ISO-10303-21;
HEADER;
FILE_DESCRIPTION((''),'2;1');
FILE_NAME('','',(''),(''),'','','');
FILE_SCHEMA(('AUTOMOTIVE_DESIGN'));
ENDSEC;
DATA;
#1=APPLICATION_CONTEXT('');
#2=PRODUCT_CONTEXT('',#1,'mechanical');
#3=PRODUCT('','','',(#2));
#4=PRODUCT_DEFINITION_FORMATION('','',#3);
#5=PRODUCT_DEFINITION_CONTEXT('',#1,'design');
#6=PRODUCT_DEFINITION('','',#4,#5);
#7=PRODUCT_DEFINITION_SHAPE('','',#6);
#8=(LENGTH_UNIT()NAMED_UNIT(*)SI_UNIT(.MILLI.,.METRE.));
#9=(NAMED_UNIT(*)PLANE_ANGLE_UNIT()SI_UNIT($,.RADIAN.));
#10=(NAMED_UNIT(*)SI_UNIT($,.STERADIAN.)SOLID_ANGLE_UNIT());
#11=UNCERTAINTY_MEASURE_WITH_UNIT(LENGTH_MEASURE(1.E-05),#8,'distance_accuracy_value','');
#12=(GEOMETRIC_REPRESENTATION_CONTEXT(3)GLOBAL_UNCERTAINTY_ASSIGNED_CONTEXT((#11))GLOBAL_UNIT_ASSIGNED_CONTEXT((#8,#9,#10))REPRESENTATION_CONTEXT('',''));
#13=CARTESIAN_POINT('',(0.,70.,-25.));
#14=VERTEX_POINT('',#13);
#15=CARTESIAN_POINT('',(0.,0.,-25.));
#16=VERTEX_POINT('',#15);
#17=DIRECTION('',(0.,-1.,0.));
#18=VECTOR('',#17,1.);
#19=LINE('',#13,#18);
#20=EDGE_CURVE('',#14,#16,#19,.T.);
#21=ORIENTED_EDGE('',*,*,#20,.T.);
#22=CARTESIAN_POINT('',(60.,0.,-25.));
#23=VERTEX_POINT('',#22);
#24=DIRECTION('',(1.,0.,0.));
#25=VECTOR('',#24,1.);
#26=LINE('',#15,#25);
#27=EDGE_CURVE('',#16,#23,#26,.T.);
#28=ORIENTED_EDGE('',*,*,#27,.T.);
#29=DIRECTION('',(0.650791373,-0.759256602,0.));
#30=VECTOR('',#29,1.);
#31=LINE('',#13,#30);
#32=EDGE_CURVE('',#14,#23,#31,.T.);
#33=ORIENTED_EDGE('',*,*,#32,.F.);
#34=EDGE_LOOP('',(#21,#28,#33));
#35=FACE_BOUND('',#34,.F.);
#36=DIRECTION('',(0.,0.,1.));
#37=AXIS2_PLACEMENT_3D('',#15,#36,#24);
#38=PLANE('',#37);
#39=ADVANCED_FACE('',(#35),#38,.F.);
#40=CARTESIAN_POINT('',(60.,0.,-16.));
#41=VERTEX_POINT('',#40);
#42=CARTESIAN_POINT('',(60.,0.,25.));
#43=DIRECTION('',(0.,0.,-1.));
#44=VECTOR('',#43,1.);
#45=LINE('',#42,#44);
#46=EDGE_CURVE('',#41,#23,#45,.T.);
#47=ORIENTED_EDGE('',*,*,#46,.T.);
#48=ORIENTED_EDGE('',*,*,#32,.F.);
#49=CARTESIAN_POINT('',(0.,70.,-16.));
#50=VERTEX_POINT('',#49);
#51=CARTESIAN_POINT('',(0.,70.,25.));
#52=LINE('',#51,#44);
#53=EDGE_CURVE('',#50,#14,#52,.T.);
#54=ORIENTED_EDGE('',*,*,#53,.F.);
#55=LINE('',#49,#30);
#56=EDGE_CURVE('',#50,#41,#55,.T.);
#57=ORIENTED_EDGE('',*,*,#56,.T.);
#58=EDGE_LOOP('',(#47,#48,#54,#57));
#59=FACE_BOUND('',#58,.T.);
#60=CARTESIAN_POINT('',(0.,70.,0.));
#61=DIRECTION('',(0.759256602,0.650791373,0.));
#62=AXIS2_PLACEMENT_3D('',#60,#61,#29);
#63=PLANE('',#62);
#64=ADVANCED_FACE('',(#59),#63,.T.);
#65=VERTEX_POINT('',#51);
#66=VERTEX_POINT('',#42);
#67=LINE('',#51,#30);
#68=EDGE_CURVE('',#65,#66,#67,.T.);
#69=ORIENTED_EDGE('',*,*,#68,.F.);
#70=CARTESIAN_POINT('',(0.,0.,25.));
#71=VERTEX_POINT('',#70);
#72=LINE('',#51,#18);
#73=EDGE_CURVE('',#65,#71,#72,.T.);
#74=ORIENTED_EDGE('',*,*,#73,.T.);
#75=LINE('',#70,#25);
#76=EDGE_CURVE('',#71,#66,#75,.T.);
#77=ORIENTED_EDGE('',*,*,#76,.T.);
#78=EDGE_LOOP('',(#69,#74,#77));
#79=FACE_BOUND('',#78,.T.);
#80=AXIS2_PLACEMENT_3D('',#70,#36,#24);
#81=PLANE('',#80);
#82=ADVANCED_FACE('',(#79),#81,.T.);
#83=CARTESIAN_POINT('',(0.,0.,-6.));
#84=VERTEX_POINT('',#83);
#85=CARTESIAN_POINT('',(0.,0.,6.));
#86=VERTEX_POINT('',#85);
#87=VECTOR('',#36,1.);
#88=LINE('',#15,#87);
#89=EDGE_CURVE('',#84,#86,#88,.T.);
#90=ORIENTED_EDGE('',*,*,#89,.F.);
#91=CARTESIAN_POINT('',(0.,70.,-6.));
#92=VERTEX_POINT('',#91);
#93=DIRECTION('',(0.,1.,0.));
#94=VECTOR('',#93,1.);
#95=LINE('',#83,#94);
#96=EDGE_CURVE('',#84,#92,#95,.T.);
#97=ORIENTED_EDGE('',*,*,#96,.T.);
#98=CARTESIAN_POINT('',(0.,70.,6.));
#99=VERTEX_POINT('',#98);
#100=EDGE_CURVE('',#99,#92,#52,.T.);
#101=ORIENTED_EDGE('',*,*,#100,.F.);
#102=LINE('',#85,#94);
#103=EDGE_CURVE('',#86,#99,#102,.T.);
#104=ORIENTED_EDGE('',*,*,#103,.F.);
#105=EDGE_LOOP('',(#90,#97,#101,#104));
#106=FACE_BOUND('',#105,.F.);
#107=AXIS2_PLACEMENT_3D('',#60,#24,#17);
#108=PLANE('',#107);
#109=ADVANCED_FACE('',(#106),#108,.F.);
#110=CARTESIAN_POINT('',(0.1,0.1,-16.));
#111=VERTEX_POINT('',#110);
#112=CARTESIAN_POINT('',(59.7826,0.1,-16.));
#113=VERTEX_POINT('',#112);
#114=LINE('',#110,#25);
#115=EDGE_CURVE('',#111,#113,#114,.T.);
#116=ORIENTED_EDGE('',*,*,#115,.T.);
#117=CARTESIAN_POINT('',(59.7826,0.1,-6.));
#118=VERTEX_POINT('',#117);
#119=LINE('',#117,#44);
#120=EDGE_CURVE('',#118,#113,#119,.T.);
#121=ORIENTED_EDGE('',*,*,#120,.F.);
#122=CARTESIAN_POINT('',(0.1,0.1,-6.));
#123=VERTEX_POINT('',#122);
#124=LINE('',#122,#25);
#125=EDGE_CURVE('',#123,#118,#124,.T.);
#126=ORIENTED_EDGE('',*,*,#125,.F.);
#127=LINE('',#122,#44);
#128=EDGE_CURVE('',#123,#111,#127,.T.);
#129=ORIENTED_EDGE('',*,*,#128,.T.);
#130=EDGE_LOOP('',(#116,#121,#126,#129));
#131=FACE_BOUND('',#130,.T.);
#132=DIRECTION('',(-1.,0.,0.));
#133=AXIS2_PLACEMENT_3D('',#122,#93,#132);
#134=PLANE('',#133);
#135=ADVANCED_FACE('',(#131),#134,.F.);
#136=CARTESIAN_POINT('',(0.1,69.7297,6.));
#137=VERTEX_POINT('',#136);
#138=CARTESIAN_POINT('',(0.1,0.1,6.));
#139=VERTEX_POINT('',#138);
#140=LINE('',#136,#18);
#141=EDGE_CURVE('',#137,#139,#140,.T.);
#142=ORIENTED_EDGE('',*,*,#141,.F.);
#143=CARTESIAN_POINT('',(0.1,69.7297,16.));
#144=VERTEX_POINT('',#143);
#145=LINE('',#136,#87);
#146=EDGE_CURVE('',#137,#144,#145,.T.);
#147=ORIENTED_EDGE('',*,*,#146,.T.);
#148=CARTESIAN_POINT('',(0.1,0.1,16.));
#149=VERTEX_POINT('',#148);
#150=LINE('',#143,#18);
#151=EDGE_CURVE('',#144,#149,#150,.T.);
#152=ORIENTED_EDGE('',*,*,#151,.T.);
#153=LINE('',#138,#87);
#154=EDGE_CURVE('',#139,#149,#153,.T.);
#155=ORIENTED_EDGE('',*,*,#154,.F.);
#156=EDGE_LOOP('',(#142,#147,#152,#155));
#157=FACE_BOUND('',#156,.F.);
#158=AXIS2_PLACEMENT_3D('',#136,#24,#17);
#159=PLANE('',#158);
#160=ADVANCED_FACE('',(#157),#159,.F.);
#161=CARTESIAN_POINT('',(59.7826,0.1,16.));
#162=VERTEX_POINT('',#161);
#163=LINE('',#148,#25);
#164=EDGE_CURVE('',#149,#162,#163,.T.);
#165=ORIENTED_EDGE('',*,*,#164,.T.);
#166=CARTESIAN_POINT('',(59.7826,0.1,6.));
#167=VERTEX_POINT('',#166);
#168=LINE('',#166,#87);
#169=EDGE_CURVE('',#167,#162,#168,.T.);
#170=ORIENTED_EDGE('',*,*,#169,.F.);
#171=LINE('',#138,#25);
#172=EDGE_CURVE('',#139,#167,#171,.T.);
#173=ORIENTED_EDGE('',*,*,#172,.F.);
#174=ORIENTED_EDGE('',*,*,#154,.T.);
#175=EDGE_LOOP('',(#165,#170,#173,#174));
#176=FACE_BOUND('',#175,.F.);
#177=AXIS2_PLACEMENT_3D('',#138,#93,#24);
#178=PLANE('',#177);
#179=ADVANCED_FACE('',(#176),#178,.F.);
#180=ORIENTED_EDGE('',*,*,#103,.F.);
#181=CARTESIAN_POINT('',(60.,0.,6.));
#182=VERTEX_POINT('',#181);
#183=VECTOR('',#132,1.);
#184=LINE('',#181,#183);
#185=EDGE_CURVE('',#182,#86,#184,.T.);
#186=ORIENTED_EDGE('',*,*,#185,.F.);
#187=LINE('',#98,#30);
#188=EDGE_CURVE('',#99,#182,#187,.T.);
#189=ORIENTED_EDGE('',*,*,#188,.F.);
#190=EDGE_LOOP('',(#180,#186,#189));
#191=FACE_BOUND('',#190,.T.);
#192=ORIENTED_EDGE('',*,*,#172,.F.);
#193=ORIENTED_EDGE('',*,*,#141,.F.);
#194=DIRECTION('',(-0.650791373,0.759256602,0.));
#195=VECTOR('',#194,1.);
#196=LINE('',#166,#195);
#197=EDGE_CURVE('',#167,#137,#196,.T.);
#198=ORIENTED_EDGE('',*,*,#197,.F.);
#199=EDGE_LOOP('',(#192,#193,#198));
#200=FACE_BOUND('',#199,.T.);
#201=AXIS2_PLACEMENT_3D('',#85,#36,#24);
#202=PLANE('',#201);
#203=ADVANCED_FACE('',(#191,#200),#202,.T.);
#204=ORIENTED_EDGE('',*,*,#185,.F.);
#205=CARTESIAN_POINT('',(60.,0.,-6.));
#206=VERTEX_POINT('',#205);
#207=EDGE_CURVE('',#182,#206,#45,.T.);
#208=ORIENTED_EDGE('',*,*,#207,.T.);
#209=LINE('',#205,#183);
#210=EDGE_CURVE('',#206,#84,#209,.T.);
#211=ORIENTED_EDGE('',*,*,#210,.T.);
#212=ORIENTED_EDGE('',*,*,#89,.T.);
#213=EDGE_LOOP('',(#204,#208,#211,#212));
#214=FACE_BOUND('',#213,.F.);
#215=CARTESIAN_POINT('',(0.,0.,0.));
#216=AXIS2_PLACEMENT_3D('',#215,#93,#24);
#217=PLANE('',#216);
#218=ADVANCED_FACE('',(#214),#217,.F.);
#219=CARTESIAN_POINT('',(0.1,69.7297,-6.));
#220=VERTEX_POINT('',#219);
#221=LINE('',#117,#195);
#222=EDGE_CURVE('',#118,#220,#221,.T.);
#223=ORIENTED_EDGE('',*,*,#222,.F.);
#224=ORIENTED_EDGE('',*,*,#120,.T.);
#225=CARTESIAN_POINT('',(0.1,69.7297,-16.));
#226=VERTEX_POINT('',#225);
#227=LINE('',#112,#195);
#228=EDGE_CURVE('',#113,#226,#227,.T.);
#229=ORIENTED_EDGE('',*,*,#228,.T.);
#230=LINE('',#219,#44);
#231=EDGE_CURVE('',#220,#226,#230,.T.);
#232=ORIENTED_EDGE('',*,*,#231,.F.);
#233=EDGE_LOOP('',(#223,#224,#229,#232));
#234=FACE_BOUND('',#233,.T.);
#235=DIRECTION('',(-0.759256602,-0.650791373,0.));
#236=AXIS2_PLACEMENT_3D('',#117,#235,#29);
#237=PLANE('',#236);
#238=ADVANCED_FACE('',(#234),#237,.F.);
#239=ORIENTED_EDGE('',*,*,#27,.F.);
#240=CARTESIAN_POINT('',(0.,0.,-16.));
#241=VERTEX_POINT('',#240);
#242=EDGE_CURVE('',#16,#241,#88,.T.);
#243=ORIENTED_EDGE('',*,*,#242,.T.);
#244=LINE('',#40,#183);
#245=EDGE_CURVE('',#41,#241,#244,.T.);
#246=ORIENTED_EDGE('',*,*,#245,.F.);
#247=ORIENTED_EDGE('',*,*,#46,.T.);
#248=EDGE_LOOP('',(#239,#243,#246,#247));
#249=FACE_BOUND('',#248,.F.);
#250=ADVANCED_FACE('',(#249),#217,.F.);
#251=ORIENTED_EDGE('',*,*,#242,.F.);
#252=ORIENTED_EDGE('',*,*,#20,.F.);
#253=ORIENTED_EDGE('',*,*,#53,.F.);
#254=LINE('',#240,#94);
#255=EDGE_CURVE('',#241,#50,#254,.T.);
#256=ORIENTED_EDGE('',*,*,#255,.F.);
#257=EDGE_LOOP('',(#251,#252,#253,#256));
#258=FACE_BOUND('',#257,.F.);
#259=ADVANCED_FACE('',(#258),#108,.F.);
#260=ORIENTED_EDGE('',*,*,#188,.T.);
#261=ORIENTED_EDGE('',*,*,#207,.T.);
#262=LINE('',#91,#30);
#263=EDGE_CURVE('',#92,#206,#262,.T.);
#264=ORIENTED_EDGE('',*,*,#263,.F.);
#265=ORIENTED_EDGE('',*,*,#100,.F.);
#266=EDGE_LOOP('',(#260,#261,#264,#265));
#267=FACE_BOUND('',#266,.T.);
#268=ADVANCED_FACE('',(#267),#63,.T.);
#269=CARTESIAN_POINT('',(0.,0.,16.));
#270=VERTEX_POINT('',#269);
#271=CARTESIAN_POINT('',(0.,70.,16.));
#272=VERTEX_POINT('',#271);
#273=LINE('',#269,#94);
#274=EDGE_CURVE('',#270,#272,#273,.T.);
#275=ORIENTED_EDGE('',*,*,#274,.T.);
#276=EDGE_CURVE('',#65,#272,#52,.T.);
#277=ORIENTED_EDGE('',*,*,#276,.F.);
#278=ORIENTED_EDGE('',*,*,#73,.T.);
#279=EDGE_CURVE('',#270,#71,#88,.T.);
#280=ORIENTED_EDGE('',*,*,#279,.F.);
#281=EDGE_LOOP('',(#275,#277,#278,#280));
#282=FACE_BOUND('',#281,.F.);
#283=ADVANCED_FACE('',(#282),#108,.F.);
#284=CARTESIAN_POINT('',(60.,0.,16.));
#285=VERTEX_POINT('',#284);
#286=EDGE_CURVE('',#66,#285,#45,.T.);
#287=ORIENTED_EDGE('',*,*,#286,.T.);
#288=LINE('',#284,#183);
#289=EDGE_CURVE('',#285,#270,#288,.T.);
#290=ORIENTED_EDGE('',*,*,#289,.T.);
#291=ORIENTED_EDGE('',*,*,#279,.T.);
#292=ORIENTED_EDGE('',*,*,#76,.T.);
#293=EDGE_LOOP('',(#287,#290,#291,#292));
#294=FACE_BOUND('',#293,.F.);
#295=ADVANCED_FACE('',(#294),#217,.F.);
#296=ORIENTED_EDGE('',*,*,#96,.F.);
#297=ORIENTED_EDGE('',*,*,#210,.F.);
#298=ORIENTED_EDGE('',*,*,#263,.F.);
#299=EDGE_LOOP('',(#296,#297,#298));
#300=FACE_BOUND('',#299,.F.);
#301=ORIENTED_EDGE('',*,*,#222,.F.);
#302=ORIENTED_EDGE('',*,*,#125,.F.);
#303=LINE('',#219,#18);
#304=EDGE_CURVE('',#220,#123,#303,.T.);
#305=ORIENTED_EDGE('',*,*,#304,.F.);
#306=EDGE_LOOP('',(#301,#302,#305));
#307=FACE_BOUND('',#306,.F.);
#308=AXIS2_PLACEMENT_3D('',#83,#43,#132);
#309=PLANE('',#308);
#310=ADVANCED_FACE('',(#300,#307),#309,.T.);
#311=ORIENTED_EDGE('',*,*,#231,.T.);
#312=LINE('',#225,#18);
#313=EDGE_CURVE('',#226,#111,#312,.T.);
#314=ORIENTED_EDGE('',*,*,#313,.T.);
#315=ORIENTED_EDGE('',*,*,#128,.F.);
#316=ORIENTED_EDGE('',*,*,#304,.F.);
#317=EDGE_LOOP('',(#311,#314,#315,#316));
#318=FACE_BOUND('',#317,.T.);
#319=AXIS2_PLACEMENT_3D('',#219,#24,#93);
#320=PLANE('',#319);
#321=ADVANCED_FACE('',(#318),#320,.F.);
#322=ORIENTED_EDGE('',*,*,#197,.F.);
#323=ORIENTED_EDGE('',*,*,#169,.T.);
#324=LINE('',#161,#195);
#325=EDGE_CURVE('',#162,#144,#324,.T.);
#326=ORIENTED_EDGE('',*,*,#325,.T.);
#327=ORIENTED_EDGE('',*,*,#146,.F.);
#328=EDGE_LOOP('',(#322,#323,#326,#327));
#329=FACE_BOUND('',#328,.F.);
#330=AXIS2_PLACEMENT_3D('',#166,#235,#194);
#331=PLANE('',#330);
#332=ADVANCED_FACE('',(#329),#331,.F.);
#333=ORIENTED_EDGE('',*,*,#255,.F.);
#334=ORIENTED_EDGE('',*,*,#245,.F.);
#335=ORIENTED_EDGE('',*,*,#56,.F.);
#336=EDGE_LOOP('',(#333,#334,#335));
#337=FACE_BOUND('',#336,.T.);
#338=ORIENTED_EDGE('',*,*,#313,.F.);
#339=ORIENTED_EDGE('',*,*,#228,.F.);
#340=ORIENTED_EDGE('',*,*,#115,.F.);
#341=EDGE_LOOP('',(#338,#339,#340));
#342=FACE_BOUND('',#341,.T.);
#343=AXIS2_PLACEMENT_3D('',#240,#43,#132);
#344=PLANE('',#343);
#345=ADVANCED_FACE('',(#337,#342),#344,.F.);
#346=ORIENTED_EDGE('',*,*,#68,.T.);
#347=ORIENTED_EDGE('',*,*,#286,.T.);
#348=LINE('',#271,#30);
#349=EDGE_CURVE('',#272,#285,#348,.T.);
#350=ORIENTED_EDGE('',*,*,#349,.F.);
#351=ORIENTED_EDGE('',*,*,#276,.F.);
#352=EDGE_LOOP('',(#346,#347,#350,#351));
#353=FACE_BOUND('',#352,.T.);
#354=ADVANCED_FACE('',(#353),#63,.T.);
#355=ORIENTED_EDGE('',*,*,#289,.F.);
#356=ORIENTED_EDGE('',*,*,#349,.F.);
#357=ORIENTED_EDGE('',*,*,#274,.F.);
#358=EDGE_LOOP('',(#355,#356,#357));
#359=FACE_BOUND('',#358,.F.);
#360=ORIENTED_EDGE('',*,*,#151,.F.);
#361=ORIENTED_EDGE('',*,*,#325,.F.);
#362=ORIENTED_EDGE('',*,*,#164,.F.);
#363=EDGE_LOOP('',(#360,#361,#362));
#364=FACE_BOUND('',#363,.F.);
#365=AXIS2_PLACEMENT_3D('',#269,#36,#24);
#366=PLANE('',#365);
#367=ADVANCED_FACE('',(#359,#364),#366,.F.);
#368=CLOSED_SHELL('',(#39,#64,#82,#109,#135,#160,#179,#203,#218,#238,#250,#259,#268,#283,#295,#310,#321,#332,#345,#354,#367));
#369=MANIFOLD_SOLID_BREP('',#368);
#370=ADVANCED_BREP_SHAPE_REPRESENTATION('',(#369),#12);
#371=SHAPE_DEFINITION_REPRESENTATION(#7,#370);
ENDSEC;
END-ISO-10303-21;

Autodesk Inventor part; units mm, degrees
ref_plane "YZ Plane" through (0, 0, 0) normal (1, 0, 0) x (0, 1, 0)
ref_plane "XZ Plane" through (0, 0, 0) normal (0, 1, 0) x (-1, 0, 0)
sketch "草圖1" plane through (0, 0, 0) normal (0, 0, 1) x (1, 0, 0)
  line L0 (-12, 0) -> (72, 0) construction
  line L1 (0, -14) -> (0, 84) construction
  line L2 (0, 0) -> (60, 0)
  line L3 (0, 70) -> (0, 0)
  line L4 (0, 70) -> (60, 0)
  dimension "d0" = 60
  dimension "d1" = 70
extrude "擠出1" add sketch "草圖1" along normal mid plane 50
ref_plane "工作平面1" through (0, 0, 2) normal (0, 0, 1) x (1, 0, 0)
ref_plane "工作平面2" through (0, 0, 6) normal (0, 0, 1) x (1, 0, 0)
sketch "草圖3" plane through (0, 0, 6) normal (0, 0, 1) x (1, 0, 0)
  line L0 (0, 0) -> (0, 70) construction
  line L1 (0, 70) -> (60, 0) construction
  line L2 (60, 0) -> (0, 0) projected
  line L3 (59.7826, 0.1) -> (0.1, 69.7297)
  line L4 (0.1, 69.7297) -> (0.1, 0.1)
  line L5 (0.1, 0.1) -> (59.7826, 0.1)
  line L6 (0, 0) -> (0, 70) projected
  line L7 (0, 70) -> (60, 0) projected
  line L8 (60, 0) -> (0, 0) projected
  dimension "d7" = 0.1
extrude "擠出2" cut sketch "草圖3" along normal blind 10
mirror "鏡射1" about plane through (0, 0, 0) normal (0, 0, 1) of "擠出2"
properties part number "三明治"
